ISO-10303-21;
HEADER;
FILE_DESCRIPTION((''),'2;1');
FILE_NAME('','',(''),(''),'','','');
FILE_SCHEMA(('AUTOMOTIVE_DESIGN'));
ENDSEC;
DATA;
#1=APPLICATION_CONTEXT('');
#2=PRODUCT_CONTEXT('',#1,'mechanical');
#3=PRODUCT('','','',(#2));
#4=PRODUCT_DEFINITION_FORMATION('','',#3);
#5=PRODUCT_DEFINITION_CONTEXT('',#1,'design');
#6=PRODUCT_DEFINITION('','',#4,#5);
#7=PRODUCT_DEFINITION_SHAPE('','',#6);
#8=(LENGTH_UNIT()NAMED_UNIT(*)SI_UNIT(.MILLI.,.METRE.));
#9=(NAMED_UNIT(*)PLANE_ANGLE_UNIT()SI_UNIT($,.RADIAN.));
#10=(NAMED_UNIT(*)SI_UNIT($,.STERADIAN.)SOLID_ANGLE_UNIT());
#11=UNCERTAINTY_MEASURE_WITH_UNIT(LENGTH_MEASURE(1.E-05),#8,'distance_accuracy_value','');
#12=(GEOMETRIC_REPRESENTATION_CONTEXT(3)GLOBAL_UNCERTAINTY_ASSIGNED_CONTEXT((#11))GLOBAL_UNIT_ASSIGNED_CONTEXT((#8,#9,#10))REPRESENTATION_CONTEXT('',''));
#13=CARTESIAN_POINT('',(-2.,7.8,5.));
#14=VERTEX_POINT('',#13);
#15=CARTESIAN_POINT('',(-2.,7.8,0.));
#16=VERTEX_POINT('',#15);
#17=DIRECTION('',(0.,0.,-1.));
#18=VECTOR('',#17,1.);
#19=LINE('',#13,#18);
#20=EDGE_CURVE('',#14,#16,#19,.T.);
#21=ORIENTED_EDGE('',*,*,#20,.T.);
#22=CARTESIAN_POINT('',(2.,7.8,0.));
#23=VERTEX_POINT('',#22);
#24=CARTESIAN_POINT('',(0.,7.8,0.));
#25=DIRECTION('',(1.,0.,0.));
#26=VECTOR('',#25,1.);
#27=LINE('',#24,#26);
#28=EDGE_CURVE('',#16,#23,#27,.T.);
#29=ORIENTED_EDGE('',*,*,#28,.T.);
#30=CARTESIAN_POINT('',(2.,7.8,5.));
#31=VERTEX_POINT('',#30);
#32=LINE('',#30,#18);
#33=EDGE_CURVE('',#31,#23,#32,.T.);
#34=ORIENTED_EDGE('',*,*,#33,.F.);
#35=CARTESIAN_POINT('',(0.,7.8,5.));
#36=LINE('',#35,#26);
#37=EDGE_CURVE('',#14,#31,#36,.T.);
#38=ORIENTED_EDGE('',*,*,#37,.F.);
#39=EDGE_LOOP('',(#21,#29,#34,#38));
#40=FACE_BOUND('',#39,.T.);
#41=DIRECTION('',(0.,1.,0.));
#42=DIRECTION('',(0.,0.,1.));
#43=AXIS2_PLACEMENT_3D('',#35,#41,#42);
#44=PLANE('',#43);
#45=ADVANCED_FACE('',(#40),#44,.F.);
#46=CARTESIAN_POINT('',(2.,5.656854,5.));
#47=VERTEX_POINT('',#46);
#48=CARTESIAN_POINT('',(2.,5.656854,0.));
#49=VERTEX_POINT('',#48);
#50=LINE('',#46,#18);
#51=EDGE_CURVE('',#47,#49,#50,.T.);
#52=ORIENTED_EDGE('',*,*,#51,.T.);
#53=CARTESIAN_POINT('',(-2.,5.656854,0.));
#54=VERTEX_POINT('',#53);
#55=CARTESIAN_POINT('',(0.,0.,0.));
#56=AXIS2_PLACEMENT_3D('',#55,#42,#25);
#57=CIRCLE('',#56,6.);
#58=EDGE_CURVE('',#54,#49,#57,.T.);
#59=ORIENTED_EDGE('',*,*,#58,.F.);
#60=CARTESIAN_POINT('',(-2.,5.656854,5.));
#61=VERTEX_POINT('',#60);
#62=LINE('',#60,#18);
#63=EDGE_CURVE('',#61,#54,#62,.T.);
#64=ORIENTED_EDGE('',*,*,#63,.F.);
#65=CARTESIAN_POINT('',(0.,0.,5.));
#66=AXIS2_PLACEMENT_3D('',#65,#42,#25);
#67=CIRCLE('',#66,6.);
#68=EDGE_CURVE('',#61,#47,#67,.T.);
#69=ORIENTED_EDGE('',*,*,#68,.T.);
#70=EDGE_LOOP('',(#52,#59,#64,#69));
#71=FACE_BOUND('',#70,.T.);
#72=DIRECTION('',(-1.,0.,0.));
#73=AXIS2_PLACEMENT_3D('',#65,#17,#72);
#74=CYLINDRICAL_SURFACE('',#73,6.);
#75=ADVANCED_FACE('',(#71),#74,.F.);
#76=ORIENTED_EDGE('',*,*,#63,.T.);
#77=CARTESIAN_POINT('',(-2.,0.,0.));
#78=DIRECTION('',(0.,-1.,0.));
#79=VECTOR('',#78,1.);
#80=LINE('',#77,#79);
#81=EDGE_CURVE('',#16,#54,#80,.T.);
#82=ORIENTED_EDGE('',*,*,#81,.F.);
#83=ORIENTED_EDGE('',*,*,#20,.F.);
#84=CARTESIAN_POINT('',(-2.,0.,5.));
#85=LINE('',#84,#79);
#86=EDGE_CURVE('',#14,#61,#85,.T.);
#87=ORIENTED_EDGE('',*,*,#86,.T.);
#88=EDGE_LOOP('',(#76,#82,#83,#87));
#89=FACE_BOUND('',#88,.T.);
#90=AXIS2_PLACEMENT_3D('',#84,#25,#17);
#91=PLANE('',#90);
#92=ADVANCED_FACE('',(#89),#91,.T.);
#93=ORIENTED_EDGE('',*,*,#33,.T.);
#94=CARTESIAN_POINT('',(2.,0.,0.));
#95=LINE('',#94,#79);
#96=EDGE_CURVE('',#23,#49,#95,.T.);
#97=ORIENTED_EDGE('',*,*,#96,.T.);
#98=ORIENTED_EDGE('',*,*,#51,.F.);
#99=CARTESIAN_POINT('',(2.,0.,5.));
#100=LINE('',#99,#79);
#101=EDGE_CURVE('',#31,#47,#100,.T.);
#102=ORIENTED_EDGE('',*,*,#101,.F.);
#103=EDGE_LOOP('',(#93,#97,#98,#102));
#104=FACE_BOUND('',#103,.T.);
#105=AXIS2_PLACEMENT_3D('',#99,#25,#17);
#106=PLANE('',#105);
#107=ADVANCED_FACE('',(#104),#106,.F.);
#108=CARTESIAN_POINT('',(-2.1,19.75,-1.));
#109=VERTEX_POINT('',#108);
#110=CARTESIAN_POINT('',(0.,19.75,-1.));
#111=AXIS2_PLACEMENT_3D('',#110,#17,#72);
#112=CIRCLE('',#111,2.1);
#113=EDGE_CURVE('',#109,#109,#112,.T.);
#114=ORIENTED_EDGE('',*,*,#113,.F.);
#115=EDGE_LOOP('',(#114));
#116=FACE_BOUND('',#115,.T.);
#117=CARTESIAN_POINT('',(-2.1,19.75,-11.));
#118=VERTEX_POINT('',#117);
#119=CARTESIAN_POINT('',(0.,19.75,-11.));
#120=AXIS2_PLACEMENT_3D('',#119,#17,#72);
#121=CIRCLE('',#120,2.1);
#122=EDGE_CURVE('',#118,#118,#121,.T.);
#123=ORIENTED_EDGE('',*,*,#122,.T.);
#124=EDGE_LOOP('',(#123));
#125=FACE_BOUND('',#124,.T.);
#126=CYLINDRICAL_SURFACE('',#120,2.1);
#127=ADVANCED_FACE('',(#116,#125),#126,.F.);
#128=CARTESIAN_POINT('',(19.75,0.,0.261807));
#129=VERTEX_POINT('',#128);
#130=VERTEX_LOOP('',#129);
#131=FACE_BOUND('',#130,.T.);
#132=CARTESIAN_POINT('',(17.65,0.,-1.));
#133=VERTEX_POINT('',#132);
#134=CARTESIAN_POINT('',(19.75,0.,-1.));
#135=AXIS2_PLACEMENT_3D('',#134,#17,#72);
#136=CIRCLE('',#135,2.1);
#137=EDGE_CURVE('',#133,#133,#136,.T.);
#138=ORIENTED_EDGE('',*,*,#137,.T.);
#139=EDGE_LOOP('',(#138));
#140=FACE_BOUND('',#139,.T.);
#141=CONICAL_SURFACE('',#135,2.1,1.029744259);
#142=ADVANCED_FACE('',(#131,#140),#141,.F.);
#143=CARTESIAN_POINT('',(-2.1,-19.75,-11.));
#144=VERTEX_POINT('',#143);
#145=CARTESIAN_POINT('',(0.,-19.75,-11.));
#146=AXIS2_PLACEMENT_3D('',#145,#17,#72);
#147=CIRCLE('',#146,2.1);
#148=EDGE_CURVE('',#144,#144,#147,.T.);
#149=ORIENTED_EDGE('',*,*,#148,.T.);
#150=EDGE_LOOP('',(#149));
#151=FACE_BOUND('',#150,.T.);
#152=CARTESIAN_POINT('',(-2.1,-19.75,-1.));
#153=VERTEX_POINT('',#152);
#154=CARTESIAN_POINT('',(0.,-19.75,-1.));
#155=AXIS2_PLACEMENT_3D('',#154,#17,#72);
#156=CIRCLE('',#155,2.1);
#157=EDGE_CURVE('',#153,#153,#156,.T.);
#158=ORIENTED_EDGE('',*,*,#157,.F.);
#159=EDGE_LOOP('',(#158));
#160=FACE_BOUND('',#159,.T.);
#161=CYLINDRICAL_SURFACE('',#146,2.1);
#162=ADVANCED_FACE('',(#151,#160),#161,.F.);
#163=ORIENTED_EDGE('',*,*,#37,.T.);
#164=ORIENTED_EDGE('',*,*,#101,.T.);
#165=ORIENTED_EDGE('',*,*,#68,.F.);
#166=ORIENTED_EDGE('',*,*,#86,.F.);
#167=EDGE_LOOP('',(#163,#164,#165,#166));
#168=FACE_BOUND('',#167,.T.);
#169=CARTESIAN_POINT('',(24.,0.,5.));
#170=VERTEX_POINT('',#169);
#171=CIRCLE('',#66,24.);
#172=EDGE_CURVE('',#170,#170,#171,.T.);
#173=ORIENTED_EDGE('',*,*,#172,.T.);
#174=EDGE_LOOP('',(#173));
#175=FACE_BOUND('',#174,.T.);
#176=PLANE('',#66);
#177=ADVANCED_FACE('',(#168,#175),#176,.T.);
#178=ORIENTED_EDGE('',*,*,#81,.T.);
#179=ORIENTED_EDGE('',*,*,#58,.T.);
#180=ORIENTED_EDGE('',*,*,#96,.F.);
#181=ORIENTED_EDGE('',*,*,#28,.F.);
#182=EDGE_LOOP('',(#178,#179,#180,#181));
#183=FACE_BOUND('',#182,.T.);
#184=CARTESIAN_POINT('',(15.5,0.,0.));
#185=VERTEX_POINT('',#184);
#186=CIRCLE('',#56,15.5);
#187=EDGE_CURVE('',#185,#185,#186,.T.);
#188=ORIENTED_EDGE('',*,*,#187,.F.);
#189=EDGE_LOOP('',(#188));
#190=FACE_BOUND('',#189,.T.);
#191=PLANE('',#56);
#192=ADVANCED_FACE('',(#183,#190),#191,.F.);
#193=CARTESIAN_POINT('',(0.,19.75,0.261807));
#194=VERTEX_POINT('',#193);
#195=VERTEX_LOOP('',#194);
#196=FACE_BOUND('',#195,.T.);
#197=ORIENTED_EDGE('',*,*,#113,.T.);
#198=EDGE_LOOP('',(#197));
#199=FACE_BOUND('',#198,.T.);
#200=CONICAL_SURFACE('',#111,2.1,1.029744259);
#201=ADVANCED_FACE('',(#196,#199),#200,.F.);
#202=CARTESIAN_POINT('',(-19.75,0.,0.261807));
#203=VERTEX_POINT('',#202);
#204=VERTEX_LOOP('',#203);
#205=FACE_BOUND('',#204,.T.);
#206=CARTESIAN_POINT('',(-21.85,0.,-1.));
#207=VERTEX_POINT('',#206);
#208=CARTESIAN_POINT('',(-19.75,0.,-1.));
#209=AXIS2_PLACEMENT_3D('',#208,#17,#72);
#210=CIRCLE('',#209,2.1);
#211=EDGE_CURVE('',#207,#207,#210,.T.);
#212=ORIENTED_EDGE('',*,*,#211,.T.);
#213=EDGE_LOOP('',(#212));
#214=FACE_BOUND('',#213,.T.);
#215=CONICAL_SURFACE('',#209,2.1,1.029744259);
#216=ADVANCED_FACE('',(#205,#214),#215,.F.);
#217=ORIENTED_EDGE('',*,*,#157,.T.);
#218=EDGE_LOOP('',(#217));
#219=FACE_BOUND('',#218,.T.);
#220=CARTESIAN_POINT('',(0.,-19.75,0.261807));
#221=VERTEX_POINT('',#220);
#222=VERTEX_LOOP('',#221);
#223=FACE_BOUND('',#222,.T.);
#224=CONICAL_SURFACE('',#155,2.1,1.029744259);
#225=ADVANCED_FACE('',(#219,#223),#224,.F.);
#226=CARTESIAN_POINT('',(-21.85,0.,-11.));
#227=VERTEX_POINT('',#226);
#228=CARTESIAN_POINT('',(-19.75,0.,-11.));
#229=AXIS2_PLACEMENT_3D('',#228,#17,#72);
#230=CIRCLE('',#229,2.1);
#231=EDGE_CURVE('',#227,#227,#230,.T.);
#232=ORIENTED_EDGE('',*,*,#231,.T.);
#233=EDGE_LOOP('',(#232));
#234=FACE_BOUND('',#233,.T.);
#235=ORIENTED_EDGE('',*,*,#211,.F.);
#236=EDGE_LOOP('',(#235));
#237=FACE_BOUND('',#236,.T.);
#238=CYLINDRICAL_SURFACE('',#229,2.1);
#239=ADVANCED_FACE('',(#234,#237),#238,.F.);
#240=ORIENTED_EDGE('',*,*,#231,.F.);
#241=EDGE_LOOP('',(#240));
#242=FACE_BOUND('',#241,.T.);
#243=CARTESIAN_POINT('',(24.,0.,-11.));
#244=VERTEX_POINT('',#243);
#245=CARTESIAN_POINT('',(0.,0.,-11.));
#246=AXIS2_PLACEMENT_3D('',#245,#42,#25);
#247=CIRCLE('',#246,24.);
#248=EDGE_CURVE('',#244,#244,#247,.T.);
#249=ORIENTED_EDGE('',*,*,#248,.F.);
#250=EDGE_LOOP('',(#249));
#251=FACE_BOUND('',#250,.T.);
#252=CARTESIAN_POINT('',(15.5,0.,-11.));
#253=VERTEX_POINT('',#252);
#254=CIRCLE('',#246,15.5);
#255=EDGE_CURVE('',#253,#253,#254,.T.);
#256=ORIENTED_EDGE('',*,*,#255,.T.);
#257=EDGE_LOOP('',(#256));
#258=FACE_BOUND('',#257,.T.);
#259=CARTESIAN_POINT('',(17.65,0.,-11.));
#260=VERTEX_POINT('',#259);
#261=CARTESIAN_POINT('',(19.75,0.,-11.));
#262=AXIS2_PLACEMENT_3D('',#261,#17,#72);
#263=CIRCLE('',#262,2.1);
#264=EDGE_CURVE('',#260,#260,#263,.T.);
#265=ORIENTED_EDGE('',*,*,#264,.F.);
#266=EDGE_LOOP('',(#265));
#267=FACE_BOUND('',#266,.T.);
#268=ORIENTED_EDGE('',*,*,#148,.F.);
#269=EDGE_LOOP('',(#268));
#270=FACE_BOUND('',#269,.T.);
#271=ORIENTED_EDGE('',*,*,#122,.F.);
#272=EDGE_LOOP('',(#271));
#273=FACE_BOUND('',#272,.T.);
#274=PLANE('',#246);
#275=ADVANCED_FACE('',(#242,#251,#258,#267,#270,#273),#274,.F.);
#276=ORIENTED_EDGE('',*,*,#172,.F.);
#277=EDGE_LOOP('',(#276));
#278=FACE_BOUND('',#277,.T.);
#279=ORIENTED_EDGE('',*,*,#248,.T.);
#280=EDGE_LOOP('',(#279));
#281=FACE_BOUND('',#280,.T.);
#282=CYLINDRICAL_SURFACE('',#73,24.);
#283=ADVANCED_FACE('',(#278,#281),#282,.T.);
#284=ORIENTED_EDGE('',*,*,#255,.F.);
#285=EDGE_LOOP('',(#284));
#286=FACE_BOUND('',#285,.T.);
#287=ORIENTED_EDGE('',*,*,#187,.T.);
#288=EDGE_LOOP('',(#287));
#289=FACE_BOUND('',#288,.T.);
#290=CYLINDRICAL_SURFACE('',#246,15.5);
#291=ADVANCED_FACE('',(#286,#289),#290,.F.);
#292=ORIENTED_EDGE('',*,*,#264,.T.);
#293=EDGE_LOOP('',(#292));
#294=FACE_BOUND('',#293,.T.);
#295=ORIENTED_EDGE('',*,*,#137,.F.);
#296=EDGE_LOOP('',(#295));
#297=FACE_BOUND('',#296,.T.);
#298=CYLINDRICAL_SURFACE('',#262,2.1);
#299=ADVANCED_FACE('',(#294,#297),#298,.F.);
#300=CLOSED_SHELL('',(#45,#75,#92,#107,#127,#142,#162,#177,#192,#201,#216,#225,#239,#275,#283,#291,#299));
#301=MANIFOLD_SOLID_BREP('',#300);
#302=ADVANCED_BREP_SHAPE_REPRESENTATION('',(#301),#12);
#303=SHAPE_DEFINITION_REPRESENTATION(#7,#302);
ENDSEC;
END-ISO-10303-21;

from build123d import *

# Parameters (mm, degrees)
SKETCH1_R                       = 24
BOSS_EXTRUDE1_DEPTH             = 5
BOSS_EXTRUDE2_START             = -11
SKETCH1_3_R                     = 24
SKETCH1_3_R_2                   = 15.5
BOSS_EXTRUDE2_DEPTH             = 11
TAP_DRILL_FOR_M5X0_8_TAP1_D     = 4.2
TAP_DRILL_FOR_M5X0_8_TAP1_DEPTH = 10
TAP_DRILL_FOR_M5X0_8_TAP1_TIP   = 1.2618073


with BuildPart() as part:
    # Sketch1 → Boss-Extrude1 (new body)
    with BuildSketch(Plane.XY):
        Circle(SKETCH1_R)
        with BuildLine():
            Line((-2, 5.656854249), (-2, 7.8))
            Line((-2, 7.8), (2, 7.8))
            Line((2, 7.8), (2, 5.656854249))
            ThreePointArc((2, 5.656854249), (0, -6), (-2, 5.656854249))
        make_face(mode=Mode.SUBTRACT)
    extrude(amount=BOSS_EXTRUDE1_DEPTH)

    # Sketch1<3> → Boss-Extrude2 (add)
    with BuildSketch(Plane.XY.offset(BOSS_EXTRUDE2_START)):
        Circle(SKETCH1_3_R)
        Circle(SKETCH1_3_R_2, mode=Mode.SUBTRACT)
    extrude(amount=BOSS_EXTRUDE2_DEPTH)

    # Tap Drill for M5x0.8 Tap1
    with Locations(Plane(origin=(0, 0, -11), x_dir=(-1, 0, 0), z_dir=(0, 0, -1))):
        with Locations((-19.75, 0), (0, -19.75), (19.75, 0), (0, 19.75)):
            Hole(TAP_DRILL_FOR_M5X0_8_TAP1_D / 2, depth=TAP_DRILL_FOR_M5X0_8_TAP1_DEPTH)
            with Locations((0, 0, -(TAP_DRILL_FOR_M5X0_8_TAP1_DEPTH + TAP_DRILL_FOR_M5X0_8_TAP1_TIP / 2))):  # 118° drill point
                Cone(0, TAP_DRILL_FOR_M5X0_8_TAP1_D / 2, TAP_DRILL_FOR_M5X0_8_TAP1_TIP, mode=Mode.SUBTRACT)


solid = part.part
